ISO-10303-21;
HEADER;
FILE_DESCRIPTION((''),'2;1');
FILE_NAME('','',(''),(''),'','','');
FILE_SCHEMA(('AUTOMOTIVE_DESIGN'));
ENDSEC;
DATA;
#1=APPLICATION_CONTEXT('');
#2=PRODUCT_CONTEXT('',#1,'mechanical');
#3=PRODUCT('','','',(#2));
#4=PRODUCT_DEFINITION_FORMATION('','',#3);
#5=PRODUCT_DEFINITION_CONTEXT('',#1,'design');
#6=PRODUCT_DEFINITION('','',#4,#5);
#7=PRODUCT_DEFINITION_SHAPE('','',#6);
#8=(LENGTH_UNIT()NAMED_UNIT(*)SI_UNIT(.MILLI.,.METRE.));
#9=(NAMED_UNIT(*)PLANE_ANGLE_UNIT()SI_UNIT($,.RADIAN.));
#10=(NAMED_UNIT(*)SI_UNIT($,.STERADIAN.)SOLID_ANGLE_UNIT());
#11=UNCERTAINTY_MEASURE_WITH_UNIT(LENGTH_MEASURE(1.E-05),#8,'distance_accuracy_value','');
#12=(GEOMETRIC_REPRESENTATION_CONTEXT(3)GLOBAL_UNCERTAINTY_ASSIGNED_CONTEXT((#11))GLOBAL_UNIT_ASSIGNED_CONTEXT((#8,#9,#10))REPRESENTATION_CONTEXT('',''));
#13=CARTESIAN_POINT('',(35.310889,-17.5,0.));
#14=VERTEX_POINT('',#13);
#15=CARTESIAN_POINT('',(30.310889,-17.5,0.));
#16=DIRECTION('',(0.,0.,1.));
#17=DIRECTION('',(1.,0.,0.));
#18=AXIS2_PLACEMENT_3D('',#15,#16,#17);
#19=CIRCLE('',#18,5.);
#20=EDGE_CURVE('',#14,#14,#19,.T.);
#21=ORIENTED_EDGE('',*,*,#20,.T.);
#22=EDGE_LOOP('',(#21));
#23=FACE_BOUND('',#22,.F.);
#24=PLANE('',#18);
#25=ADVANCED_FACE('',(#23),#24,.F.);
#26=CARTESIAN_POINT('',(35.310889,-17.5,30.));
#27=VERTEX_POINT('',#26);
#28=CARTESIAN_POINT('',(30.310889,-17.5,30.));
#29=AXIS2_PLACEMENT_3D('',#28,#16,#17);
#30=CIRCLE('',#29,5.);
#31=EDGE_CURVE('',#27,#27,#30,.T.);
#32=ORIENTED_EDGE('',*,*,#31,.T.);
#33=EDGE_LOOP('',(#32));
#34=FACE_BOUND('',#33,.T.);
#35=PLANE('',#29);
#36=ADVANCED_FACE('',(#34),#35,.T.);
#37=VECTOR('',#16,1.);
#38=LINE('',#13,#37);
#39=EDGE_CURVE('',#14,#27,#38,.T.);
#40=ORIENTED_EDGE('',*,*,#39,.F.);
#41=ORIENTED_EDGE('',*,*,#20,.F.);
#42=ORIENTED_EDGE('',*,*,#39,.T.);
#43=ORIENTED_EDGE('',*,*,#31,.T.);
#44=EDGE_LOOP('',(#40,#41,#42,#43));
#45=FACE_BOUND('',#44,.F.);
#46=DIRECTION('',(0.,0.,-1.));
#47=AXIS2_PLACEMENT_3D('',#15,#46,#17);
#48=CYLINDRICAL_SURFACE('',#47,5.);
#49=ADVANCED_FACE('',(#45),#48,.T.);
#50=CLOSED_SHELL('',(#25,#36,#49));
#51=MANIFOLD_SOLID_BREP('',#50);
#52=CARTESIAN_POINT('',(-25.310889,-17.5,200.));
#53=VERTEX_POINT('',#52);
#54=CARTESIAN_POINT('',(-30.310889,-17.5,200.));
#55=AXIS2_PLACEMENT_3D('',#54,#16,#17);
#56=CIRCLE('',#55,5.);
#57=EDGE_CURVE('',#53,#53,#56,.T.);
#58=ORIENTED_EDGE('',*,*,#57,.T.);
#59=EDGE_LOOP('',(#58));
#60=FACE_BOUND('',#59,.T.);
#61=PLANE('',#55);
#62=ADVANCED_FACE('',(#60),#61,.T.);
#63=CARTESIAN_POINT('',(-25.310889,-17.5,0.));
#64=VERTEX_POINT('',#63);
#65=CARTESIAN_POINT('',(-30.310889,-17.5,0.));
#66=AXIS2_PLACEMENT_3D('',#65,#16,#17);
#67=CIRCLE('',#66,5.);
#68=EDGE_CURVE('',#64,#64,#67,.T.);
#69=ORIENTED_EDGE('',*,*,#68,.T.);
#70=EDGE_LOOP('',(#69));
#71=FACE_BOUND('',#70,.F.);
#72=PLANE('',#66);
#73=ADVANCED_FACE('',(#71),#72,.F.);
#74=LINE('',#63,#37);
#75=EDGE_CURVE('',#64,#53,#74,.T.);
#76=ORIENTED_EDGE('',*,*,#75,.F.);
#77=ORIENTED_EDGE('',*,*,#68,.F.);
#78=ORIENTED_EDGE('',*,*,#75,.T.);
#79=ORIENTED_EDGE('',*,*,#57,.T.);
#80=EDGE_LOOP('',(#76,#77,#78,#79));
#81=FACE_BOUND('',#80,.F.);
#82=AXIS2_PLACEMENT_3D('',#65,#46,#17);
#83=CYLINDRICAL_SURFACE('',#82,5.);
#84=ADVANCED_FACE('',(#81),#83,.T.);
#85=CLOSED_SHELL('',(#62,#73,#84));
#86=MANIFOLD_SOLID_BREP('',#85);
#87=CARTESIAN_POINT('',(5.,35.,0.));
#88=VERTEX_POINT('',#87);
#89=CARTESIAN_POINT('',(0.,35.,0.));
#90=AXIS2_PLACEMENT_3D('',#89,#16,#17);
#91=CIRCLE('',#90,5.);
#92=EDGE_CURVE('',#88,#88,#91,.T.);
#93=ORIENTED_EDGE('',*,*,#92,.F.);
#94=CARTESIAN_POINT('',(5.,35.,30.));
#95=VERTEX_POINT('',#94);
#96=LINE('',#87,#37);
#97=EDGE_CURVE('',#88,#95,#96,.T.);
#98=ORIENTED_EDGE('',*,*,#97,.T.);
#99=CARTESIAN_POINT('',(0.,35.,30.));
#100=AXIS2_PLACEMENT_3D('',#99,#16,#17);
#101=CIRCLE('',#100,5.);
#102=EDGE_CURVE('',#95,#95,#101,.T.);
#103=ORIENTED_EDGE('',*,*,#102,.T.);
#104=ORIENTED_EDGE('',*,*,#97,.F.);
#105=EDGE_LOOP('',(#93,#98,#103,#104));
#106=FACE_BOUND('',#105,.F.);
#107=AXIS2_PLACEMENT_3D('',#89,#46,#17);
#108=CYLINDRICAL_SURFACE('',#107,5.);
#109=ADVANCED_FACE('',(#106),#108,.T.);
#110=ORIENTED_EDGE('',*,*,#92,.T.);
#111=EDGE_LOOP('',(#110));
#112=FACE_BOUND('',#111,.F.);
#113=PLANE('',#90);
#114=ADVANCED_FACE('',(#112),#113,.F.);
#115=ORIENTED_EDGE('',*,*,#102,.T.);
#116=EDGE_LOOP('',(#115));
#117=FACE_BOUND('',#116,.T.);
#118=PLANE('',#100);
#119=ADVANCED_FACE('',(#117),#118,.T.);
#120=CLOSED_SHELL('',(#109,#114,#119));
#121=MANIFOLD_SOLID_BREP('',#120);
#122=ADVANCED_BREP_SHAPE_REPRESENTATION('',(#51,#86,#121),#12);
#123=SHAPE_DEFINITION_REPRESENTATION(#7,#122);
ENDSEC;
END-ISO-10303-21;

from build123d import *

# Parameters (mm, degrees)
F1_R     = 5
F2_DEPTH = 30
F3_DEPTH = 200
F4_DEPTH = 30


with BuildPart() as f2:
    # F1 (on Top) → F2 (new body)
    with BuildSketch(Plane.XY):
        with Locations((0, 35)):
            Circle(F1_R)
    extrude(amount=F2_DEPTH)


with BuildPart() as f3:
    # F1 (on Top) → F3 (new body)
    with BuildSketch(Plane.XY):
        with Locations((-30.310889, -17.5)):
            Circle(F1_R)
    extrude(amount=F3_DEPTH)


with BuildPart() as f4:
    # F1 (on Top) → F4 (new body)
    with BuildSketch(Plane.XY):
        with Locations((30.310889, -17.5)):
            Circle(F1_R)
    extrude(amount=F4_DEPTH)


solid = Compound([f2.part, f3.part, f4.part])
